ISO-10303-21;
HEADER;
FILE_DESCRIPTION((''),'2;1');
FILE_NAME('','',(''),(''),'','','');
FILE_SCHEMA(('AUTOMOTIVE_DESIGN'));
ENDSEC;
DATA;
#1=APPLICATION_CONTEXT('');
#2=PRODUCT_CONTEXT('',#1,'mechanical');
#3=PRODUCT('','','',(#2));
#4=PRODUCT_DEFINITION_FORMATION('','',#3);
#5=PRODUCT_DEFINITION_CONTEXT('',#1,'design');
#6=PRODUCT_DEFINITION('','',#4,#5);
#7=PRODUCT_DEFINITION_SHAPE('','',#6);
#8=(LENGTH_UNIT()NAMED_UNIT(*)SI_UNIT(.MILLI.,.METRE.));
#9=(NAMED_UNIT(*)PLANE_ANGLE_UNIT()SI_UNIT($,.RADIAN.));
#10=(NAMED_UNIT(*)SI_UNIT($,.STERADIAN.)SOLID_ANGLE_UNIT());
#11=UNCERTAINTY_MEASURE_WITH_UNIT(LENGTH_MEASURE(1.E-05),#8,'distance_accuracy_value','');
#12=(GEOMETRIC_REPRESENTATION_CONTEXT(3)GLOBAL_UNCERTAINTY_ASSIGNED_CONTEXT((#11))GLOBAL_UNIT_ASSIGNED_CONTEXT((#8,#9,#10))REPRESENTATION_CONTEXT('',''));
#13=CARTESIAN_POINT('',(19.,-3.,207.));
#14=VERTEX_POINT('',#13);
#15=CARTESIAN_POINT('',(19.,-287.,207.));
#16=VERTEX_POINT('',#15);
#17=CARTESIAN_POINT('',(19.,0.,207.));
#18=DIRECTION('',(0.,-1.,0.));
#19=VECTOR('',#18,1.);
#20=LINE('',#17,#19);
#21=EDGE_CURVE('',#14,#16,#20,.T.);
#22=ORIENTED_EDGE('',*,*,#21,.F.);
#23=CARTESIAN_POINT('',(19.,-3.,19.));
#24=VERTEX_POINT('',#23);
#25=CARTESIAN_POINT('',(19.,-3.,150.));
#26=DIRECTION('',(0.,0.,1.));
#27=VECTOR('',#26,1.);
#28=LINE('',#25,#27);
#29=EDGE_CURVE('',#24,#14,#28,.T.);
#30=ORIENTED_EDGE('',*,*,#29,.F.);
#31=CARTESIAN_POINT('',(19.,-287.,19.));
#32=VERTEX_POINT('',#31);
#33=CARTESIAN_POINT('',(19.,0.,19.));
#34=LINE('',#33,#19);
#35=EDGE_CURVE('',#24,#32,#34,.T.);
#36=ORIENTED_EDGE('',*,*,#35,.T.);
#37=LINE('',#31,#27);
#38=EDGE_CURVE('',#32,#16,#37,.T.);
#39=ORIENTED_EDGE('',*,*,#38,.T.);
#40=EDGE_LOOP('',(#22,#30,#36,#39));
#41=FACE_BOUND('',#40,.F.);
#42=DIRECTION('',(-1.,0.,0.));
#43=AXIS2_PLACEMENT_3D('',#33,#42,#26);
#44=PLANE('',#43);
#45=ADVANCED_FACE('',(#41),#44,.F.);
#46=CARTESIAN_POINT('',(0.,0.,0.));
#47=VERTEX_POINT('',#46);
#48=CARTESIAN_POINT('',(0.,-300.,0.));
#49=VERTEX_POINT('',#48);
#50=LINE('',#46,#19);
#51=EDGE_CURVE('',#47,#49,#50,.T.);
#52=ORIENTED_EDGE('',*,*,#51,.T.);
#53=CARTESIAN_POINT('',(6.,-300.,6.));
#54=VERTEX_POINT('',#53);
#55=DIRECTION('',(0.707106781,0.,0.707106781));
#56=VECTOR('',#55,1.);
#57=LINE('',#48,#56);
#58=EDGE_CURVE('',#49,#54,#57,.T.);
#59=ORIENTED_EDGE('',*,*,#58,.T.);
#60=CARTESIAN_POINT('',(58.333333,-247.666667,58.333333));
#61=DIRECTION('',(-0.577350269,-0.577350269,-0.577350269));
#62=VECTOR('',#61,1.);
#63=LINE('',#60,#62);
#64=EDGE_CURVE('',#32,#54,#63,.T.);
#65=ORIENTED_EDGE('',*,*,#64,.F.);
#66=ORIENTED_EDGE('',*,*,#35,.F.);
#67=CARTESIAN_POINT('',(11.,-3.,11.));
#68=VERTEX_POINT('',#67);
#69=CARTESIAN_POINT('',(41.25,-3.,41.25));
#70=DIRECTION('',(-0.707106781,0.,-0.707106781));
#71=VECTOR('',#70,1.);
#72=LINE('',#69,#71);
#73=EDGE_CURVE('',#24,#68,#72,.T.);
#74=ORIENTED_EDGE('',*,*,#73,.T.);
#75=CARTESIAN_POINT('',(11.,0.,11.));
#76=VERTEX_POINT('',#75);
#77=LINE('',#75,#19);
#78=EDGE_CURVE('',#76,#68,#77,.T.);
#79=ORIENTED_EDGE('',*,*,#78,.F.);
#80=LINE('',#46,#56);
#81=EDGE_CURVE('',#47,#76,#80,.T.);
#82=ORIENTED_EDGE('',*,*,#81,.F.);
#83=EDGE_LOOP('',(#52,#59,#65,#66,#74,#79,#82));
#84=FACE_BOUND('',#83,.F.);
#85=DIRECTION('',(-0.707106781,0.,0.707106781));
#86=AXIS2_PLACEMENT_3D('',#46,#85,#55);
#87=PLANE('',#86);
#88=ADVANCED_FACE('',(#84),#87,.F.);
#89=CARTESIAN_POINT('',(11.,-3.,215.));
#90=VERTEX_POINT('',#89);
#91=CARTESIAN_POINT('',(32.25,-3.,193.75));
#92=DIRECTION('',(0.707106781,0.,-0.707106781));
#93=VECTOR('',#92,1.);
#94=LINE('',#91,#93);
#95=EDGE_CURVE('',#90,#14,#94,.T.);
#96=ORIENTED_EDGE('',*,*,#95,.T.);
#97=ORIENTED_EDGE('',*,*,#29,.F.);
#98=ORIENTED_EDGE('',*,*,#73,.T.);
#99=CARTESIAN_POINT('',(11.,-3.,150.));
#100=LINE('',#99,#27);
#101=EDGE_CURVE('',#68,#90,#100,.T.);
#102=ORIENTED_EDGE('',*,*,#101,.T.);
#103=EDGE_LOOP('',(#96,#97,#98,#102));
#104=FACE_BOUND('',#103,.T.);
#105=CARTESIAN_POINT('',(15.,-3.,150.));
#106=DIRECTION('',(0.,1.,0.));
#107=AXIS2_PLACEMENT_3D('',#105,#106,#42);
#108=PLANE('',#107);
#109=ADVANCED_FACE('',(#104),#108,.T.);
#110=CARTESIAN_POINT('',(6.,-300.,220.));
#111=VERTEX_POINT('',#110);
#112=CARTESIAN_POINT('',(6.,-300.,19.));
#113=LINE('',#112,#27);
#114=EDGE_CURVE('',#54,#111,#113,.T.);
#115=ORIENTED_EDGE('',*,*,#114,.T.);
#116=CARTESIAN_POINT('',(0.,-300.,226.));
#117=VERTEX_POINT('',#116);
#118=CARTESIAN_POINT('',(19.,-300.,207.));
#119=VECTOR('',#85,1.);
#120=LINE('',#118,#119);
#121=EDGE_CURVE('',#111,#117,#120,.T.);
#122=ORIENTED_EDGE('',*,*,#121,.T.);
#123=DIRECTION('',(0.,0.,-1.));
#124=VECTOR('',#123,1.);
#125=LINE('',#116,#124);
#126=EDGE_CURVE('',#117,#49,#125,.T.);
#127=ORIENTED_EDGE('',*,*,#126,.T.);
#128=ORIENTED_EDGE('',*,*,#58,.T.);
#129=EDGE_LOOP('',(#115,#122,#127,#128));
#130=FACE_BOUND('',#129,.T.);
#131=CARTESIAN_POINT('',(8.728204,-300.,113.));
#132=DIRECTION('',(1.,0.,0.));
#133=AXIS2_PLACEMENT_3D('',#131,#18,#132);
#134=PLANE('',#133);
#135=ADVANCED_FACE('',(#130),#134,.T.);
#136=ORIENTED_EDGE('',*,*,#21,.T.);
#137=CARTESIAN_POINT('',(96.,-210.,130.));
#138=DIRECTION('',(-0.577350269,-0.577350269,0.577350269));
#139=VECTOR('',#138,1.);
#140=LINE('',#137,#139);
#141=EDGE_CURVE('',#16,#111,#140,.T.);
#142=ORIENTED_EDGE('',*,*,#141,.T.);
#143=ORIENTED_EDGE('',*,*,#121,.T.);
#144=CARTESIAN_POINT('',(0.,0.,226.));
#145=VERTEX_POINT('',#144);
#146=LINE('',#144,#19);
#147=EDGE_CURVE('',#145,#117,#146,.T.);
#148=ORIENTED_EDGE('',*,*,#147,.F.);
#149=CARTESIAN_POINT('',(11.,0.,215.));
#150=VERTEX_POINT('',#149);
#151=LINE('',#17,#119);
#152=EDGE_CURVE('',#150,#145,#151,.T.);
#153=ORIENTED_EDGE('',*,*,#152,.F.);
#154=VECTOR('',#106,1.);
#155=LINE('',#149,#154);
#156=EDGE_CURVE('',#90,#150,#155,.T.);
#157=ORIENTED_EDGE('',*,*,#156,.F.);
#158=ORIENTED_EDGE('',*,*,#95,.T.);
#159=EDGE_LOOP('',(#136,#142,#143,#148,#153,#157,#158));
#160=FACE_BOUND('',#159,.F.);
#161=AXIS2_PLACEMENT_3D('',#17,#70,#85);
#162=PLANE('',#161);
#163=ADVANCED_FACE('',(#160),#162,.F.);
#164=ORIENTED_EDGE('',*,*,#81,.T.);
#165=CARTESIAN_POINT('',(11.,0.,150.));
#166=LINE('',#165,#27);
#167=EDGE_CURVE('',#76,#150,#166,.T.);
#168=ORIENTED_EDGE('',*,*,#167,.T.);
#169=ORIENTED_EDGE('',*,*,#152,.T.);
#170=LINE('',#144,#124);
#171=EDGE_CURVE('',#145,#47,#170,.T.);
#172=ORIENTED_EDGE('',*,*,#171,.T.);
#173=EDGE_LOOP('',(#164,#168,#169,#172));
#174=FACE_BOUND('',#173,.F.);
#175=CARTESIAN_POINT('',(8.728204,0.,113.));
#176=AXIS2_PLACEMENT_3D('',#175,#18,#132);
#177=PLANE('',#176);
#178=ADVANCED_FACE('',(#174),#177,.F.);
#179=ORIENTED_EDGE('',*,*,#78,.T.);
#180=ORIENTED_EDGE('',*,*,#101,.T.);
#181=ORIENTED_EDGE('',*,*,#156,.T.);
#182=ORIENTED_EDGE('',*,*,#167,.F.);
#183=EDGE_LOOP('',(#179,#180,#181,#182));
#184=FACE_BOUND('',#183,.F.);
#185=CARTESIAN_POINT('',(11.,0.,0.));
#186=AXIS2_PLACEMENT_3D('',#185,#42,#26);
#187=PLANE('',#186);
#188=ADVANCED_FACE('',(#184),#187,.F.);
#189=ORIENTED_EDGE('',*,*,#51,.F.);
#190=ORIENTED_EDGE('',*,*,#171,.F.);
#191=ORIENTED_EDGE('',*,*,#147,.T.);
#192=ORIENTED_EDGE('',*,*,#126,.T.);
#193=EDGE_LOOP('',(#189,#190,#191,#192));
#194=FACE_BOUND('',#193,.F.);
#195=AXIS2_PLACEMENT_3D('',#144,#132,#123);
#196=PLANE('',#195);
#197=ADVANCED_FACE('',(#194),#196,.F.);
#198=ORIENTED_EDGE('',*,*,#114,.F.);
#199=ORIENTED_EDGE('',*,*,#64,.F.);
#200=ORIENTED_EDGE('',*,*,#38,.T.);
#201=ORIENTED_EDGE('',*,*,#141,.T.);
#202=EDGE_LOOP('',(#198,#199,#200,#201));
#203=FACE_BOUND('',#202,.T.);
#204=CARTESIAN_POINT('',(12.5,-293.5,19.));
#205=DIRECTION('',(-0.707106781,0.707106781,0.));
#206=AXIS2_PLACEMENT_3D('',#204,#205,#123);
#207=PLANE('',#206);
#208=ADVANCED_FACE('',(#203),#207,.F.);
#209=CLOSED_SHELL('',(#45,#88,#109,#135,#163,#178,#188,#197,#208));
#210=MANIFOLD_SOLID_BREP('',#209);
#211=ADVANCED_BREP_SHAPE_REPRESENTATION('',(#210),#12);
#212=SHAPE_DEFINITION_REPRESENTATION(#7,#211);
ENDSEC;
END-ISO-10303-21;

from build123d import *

# Parameters (mm, degrees)
F1_DEPTH = 300
F2_SIZE  = 13
F3_W     = 8
F3_H     = 300
F4_DEPTH = 3


with BuildPart() as f1:
    # F0 (on Front) → F1 (new body)
    with BuildSketch(Plane.XZ):
        Polygon((0, 226), (0, 0), (19, 19), (19, 207), align=None)
    extrude(amount=F1_DEPTH)

    # F2
    f2_edges = [f1.edges().sort_by_distance(p)[0] for p in [
        (19, -300, 113),
    ]]
    chamfer(f2_edges, length=F2_SIZE)

    # F3 (on face) → F4 (cut)
    with BuildSketch(Plane(origin=(0, 0, 0), x_dir=(-1, 0, 0), z_dir=(0, 1, 0))):
        with Locations((-15, 150)):
            Rectangle(F3_W, F3_H)
    extrude(amount=-F4_DEPTH, mode=Mode.SUBTRACT)


solid = f1.part
